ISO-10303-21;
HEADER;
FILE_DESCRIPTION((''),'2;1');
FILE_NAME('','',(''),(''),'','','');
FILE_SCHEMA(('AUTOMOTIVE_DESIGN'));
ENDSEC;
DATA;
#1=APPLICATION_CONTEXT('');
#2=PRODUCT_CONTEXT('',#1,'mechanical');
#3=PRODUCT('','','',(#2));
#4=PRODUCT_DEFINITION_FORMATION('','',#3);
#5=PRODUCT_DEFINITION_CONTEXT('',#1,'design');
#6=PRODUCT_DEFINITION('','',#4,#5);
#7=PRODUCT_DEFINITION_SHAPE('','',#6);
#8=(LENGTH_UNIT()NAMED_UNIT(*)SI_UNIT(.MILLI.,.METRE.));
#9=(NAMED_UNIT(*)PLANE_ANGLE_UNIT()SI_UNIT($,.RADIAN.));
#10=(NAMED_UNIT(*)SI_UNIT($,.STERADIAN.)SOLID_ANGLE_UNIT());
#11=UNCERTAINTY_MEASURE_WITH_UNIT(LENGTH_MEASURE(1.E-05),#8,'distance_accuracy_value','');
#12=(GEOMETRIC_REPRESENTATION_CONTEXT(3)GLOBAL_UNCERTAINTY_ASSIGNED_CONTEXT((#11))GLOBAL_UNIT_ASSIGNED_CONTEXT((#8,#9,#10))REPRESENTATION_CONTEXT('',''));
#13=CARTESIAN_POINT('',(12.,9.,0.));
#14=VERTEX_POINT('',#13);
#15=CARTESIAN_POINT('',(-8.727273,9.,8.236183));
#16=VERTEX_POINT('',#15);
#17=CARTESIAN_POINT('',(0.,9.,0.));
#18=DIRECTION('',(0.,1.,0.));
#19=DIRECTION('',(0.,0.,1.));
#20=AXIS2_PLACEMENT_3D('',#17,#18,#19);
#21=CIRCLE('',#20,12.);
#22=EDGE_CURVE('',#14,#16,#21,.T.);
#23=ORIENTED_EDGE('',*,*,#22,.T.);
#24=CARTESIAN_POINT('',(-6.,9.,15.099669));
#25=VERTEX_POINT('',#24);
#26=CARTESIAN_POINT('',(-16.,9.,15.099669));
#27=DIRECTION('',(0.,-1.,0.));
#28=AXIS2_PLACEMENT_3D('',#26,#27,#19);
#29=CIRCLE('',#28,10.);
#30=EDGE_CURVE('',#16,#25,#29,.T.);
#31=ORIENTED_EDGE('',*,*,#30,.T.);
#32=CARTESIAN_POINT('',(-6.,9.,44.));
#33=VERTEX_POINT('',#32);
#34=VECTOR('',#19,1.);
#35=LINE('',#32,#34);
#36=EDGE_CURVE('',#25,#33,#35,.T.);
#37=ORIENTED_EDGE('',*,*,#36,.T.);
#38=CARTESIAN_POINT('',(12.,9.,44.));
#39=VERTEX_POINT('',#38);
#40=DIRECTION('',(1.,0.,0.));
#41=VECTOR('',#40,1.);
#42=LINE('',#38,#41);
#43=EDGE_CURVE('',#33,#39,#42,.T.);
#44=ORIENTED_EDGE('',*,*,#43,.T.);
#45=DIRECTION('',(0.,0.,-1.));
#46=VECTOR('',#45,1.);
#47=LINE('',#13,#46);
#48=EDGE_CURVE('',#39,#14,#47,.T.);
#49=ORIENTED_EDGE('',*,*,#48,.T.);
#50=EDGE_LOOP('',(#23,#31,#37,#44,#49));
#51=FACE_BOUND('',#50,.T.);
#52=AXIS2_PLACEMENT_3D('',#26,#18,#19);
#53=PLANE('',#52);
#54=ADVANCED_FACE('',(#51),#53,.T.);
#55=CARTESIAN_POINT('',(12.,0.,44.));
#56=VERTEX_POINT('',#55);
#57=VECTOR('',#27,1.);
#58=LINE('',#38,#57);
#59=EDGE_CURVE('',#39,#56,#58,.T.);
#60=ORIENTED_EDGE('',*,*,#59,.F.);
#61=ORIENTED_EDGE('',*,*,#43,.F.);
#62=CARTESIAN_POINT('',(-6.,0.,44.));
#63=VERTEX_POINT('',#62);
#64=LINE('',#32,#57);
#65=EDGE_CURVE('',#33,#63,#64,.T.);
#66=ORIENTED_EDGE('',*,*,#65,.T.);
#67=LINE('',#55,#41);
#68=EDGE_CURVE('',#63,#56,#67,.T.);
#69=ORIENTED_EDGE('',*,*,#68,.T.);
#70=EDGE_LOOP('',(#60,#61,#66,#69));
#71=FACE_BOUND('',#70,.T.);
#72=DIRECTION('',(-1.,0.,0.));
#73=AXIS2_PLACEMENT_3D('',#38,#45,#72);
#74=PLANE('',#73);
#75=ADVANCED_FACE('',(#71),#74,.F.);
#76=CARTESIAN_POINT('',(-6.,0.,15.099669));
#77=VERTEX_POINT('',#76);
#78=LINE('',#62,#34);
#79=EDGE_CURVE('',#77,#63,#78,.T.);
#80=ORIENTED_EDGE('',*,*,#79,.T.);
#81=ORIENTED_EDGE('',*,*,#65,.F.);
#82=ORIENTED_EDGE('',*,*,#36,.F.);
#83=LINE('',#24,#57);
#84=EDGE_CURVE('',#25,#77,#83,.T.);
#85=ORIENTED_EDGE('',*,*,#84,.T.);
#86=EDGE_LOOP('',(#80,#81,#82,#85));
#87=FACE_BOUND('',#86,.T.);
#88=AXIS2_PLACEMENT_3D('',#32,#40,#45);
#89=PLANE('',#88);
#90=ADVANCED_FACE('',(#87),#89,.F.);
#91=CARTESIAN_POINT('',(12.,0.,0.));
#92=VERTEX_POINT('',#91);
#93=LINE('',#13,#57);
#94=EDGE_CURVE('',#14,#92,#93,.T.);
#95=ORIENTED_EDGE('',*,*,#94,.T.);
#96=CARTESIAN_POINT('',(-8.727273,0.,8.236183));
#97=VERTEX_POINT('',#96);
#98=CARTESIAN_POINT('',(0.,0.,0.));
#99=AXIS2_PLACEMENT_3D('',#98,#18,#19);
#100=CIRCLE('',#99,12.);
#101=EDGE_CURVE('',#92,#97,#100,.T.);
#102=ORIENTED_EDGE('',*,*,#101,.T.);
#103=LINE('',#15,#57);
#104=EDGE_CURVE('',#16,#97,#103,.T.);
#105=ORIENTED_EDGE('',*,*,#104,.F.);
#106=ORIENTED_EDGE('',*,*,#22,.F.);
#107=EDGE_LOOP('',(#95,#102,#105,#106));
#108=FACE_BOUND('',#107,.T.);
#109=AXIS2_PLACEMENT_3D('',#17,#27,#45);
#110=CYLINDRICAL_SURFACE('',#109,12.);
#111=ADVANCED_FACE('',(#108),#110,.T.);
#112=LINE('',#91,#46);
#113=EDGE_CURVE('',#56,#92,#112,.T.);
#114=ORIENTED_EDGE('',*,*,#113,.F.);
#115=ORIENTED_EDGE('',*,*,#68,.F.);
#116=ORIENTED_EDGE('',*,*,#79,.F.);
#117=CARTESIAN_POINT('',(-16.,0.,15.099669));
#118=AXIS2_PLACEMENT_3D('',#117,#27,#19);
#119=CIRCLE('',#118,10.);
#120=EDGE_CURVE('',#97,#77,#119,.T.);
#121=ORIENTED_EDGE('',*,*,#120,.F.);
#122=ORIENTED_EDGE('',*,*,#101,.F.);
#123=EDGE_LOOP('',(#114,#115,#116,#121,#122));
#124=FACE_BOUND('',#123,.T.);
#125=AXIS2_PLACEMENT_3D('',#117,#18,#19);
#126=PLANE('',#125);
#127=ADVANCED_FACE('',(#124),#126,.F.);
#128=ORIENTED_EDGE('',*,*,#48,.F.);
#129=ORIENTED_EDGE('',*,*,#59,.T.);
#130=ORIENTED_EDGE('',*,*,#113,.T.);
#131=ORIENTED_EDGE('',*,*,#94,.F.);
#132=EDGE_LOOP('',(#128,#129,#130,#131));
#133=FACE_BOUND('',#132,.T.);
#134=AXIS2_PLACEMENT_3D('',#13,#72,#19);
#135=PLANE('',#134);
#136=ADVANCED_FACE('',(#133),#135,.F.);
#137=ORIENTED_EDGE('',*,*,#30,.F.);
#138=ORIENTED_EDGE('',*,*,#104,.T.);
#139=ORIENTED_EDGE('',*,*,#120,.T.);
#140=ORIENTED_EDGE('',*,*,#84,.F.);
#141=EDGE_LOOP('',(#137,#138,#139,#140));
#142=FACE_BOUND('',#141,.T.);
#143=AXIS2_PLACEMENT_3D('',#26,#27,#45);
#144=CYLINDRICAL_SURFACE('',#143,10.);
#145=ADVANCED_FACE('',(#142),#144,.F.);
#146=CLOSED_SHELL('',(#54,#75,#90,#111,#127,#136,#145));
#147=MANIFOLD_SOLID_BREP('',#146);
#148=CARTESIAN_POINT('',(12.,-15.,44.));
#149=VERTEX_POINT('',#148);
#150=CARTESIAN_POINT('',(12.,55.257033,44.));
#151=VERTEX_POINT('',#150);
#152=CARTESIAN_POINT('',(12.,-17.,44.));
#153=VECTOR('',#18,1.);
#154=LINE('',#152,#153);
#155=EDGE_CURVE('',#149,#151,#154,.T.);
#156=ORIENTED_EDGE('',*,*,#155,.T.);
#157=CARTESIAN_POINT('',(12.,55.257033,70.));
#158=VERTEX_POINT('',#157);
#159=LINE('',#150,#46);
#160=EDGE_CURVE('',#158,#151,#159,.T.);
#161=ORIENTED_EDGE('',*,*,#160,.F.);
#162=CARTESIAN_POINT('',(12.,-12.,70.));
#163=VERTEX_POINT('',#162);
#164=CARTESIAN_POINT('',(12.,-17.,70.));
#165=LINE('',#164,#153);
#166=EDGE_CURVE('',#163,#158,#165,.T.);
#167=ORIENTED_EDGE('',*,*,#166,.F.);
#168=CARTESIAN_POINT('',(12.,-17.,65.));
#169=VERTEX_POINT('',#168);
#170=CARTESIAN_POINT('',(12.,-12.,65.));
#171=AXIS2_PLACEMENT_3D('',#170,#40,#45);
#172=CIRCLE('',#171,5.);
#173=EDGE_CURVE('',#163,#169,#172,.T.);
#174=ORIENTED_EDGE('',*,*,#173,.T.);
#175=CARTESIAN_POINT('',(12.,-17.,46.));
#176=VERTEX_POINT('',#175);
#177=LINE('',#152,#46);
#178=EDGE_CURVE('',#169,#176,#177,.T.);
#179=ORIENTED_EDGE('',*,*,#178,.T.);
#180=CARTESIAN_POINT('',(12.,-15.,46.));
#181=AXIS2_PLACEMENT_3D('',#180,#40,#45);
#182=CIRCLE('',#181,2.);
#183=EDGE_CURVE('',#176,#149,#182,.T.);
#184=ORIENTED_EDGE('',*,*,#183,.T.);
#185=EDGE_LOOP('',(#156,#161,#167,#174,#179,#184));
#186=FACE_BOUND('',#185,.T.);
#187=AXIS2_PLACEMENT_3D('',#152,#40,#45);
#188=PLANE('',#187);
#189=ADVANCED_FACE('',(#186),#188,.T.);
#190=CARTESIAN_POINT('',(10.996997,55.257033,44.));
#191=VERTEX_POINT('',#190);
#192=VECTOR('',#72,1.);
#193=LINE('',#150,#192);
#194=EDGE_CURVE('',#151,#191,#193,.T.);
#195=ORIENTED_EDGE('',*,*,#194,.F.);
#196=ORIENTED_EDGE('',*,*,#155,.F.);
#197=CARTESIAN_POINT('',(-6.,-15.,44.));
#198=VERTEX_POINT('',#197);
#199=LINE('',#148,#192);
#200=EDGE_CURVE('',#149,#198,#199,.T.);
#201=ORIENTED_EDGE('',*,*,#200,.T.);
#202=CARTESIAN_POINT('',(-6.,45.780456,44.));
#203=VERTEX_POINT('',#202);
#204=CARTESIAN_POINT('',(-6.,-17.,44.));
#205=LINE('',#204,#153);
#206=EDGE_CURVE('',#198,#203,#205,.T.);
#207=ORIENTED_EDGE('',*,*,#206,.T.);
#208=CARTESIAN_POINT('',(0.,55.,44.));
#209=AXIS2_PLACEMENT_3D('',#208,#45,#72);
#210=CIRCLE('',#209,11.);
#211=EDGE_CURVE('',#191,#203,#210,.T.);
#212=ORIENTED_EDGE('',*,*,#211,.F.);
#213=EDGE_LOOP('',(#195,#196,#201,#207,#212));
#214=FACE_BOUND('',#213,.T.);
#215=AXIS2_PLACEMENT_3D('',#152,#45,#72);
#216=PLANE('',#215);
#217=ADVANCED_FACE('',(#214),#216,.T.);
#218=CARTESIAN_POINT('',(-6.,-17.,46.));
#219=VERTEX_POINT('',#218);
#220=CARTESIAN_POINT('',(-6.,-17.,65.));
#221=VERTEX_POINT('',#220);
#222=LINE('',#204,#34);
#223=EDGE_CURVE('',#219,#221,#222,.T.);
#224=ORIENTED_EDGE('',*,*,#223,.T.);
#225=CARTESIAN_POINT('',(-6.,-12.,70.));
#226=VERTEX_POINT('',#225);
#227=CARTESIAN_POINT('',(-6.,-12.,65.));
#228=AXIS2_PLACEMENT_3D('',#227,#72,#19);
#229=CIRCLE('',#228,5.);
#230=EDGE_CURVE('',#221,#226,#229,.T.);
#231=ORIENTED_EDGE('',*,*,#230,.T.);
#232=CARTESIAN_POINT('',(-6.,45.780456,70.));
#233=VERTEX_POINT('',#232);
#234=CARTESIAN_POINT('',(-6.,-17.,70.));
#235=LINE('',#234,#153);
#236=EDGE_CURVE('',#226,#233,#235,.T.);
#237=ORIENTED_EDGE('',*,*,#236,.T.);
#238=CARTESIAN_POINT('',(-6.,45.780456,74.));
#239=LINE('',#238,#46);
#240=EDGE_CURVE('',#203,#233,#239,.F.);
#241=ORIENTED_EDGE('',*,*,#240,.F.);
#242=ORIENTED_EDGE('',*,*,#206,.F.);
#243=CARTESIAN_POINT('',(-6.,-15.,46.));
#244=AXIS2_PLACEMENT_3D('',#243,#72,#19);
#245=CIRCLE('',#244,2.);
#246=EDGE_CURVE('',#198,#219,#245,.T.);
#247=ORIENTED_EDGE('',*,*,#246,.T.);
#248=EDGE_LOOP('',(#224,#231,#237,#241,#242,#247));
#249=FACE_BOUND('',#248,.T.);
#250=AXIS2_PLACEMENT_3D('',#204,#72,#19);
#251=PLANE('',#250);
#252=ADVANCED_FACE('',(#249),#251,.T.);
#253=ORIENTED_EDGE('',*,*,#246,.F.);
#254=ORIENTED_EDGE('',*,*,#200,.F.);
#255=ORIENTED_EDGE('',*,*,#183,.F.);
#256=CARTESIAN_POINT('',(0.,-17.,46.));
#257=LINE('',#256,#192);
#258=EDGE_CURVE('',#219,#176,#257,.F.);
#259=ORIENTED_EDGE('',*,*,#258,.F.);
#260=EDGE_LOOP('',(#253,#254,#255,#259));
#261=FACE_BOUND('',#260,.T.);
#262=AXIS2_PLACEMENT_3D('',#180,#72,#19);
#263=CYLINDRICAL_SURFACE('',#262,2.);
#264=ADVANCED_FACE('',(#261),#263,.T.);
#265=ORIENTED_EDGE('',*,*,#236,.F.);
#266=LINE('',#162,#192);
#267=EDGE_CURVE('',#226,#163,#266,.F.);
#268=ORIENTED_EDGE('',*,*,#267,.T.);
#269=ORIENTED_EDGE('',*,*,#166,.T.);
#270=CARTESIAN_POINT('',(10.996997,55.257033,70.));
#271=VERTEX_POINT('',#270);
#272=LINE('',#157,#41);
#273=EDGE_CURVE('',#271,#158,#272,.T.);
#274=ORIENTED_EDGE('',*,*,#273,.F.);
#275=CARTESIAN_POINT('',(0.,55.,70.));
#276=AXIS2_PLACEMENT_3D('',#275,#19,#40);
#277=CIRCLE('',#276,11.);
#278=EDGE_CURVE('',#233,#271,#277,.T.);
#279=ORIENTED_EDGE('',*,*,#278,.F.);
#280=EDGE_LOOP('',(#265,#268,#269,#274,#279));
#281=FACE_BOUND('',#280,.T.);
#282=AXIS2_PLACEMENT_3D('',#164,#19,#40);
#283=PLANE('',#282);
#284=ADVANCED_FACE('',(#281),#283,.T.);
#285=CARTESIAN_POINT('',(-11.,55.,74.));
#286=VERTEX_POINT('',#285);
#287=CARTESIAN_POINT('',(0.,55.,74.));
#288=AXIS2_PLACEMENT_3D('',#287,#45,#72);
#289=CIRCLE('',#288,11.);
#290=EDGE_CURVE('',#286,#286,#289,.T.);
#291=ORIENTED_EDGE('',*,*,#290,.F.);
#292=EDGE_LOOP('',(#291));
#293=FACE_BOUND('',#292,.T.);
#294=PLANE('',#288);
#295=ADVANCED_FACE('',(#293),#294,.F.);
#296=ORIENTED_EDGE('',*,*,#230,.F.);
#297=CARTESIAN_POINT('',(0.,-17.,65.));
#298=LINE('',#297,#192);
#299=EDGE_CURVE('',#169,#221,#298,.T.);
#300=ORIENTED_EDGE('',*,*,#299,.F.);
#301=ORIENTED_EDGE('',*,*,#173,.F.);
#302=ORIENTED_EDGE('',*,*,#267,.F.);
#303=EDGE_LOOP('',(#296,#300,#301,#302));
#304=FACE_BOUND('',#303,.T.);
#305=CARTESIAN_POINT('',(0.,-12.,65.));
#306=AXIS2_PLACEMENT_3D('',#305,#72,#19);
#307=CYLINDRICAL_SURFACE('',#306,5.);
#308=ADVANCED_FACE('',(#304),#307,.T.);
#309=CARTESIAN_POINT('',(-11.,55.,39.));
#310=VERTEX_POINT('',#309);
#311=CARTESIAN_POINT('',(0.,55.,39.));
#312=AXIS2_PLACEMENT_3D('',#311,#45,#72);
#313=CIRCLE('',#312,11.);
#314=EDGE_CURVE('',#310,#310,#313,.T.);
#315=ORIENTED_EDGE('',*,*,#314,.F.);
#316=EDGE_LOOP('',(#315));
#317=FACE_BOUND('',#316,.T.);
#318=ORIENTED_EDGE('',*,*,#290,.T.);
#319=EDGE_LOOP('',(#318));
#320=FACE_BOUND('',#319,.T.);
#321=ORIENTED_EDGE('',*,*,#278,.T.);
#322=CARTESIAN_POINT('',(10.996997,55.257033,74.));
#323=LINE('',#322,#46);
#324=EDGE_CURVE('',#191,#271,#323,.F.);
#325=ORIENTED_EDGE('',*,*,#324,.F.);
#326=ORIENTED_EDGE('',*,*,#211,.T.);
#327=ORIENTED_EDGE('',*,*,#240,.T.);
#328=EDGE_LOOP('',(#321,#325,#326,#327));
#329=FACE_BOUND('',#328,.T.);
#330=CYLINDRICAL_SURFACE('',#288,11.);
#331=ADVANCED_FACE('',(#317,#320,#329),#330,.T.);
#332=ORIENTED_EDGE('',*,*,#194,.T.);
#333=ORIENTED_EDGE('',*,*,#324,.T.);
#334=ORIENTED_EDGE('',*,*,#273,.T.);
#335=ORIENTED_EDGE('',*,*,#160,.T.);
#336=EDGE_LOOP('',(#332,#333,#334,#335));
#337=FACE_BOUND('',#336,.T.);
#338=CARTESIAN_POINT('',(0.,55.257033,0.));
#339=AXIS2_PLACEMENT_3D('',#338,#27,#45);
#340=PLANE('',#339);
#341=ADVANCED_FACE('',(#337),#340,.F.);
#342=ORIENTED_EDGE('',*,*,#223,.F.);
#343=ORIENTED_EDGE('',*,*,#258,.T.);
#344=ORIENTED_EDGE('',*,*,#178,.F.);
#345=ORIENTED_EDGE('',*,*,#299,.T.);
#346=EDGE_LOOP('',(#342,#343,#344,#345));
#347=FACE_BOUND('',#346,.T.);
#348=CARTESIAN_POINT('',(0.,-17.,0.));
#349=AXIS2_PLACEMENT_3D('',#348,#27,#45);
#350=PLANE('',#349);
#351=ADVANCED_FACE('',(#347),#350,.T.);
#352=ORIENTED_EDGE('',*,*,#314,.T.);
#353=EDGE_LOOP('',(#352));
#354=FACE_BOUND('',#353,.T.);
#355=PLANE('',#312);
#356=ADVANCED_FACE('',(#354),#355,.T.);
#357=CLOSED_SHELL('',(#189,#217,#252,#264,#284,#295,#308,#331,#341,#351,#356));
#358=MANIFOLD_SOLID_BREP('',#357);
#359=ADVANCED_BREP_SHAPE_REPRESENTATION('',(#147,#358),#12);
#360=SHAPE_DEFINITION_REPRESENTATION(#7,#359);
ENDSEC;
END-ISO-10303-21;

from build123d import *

# Parameters (mm, degrees)
BOSS_EXTRUDE1_DEPTH      = 9
BOSS_EXTRUDE2_DEPTH      = 46.257033012
BOSS_EXTRUDE2_DEPTH_BACK = 26
SKETCH2_W                = 18
SKETCH2_H                = 26
FILLET2_R                = 2
FILLET3_R                = 5
BOSS_EXTRUDE3_DEPTH      = 5
BOSS_EXTRUDE3_DEPTH_BACK = 30
SKETCH3_R                = 11


with BuildPart() as part:
    # Sketch1 → Boss-Extrude1 (new body)
    with BuildSketch(Plane(origin=(0, 0, 0), x_dir=(1, 0, 0), z_dir=(0, 1, 0))):
        with BuildLine():
            Line((12, 0), (12, -44))
            Line((12, -44), (-6, -44))
            Line((-6, -44), (-6, -15.099668871))
            ThreePointArc((-6, -15.099668871), (-6.706796227, -11.406924141), (-8.727272727, -8.23618302))
            ThreePointArc((-8.727272727, -8.23618302), (-4.431293675, 11.151844527), (12, 0))
        make_face()
    extrude(amount=BOSS_EXTRUDE1_DEPTH)


with BuildPart() as body_2:
    # Sketch2 → Boss-Extrude2 (new, two sides: drawn at the far end of the back side and taken through both)
    with BuildSketch(Plane(origin=(0, 9, 0), x_dir=(1, 0, 0), z_dir=(0, 1, 0)).offset(-BOSS_EXTRUDE2_DEPTH_BACK)):
        with Locations((3, -57)):
            Rectangle(SKETCH2_W, SKETCH2_H)
    extrude(amount=BOSS_EXTRUDE2_DEPTH + BOSS_EXTRUDE2_DEPTH_BACK)

    # Fillet2
    fillet2_edges = [body_2.edges().sort_by_distance(p)[0] for p in [
        (3, -17, 44),
    ]]
    fillet(fillet2_edges, radius=FILLET2_R)

    # Fillet3
    fillet3_edges = [body_2.edges().sort_by_distance(p)[0] for p in [
        (3, -17, 70),
    ]]
    fillet(fillet3_edges, radius=FILLET3_R)

    # Sketch3 → Boss-Extrude3 (add, two sides: drawn at the far end of the back side and taken through both)
    with BuildSketch(Plane(origin=(0, 0, 44), x_dir=(-1, 0, 0), z_dir=(0, 0, -1)).offset(-BOSS_EXTRUDE3_DEPTH_BACK)):
        with Locations((0, 55)):
            Circle(SKETCH3_R)
    extrude(amount=BOSS_EXTRUDE3_DEPTH + BOSS_EXTRUDE3_DEPTH_BACK)


solid = Compound([part.part, body_2.part])
